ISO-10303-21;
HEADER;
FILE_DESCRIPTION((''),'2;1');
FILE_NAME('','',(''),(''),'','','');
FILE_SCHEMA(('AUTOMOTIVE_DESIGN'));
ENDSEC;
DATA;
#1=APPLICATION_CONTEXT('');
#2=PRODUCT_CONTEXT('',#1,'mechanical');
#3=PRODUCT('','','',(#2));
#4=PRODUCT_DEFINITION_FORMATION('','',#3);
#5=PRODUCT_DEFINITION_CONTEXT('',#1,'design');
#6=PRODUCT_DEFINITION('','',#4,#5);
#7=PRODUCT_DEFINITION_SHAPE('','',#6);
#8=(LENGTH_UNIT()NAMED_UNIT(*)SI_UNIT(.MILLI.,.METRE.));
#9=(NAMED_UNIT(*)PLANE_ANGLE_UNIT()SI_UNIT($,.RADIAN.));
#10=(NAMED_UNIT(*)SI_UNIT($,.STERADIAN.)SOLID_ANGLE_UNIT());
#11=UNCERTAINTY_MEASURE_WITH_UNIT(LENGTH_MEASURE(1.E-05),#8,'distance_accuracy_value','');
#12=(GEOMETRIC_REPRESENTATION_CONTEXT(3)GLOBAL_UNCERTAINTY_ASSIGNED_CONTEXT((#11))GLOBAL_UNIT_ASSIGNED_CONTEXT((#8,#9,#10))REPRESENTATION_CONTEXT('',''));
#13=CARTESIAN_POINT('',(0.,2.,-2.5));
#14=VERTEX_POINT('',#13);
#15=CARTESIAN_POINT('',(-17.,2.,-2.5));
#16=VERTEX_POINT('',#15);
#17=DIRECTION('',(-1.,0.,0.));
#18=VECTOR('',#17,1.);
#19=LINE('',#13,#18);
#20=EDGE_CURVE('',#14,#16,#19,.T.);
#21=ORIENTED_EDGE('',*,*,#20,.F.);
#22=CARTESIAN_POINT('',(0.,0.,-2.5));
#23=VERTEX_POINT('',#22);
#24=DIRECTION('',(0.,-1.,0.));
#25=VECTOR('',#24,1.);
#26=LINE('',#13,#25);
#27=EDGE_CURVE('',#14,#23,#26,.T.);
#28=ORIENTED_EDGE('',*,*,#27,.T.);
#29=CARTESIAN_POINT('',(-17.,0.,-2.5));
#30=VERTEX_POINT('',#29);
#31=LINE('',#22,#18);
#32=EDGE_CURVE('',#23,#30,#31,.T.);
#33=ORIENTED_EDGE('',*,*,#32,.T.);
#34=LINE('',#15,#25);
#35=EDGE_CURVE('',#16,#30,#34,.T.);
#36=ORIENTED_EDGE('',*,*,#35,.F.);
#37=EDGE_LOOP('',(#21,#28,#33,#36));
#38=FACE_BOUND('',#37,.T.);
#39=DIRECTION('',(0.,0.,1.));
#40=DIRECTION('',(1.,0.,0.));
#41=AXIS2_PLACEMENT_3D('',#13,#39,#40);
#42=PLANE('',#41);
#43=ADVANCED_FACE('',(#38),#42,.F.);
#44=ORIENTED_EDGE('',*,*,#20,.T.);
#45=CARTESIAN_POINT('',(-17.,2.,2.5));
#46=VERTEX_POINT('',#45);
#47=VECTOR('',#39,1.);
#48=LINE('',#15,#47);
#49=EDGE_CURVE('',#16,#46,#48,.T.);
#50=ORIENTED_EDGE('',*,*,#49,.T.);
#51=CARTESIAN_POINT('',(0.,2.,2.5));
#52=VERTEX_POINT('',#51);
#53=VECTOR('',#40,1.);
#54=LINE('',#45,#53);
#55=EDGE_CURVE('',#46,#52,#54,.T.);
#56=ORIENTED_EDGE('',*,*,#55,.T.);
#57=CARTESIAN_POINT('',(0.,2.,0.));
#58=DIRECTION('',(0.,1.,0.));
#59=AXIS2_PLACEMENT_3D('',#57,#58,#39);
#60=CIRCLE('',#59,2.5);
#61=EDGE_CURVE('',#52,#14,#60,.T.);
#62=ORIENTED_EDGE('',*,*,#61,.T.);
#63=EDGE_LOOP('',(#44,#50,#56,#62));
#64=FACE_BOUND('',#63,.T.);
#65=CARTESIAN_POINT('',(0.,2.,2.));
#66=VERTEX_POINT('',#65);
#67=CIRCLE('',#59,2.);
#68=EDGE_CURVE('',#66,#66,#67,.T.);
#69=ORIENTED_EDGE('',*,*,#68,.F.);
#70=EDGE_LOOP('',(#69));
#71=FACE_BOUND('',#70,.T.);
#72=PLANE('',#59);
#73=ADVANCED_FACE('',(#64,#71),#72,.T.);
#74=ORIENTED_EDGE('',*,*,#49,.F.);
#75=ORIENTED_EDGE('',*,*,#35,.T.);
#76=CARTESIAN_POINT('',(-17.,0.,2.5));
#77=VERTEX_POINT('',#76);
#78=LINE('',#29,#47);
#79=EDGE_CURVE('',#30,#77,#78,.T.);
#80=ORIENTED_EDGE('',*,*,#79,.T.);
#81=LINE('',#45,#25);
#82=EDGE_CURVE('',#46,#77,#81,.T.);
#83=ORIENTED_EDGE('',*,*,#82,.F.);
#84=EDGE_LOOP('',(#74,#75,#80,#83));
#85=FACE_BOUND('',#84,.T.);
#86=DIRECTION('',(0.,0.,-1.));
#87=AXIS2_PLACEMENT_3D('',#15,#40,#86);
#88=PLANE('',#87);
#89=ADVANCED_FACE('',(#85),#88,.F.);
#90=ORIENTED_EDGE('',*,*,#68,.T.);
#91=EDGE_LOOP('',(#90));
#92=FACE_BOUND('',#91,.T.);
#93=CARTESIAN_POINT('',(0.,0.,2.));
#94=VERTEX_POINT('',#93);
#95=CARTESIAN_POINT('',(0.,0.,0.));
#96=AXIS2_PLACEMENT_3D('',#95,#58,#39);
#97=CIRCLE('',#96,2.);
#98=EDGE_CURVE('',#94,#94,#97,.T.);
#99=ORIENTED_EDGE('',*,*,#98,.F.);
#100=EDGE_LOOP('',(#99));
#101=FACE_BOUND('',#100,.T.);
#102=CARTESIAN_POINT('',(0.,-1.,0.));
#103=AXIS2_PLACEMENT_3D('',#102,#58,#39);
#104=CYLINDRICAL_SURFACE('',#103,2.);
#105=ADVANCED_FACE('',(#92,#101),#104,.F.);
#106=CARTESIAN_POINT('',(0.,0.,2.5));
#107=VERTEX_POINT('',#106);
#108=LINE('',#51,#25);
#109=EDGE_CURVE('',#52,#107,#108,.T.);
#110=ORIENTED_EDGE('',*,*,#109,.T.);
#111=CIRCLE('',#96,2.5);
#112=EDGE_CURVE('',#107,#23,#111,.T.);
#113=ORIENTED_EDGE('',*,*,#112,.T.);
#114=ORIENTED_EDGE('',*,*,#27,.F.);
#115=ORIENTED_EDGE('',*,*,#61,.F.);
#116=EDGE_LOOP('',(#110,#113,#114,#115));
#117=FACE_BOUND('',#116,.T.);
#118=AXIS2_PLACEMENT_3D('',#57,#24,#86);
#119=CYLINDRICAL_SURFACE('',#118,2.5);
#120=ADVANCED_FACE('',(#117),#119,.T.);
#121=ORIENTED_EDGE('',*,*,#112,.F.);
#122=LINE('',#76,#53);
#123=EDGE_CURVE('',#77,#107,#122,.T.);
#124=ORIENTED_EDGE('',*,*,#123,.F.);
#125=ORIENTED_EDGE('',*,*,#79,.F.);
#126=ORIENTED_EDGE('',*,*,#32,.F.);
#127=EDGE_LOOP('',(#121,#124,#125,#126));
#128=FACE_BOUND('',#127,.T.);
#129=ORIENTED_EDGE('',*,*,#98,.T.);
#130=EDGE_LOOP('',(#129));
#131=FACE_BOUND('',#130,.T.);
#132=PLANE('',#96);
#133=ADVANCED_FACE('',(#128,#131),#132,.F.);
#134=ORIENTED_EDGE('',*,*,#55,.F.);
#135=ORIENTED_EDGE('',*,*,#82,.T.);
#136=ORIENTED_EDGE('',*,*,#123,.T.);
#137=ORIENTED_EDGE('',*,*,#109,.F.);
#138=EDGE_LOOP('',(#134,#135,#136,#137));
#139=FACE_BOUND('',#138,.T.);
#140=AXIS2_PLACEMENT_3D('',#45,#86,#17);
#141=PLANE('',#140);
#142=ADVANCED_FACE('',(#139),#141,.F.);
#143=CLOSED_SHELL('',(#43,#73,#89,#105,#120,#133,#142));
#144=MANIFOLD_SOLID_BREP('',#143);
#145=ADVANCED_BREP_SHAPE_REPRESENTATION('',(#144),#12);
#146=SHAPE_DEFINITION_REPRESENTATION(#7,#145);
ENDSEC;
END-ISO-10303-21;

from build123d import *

# Parameters (mm, degrees)
EXTRUDE_1_DEPTH     = 2
SKETCH_2_R          = 2
CUT_EXTRUDE_1_DEPTH = 3


with BuildPart() as part:
    # Эскиз1 → Бобышка-Вытянуть1 (new body)
    with BuildSketch(Plane(origin=(0, 0, 0), x_dir=(1, 0, 0), z_dir=(0, 1, 0))):
        with BuildLine():
            Line((0, 2.5), (-17, 2.5))
            Line((-17, 2.5), (-17, -2.5))
            Line((-17, -2.5), (0, -2.5))
            ThreePointArc((0, -2.5), (2.5, 0), (0, 2.5))
        make_face()
    extrude(amount=EXTRUDE_1_DEPTH)

    # Эскиз2 → Вырез-Вытянуть1 (cut)
    with BuildSketch(Plane(origin=(0, 2, 0), x_dir=(1, 0, 0), z_dir=(0, 1, 0))):
        with Locations(Location((0, 0, 0), (0, 0, 270))):
            Circle(SKETCH_2_R)
    extrude(amount=-CUT_EXTRUDE_1_DEPTH, mode=Mode.SUBTRACT)


solid = part.part
